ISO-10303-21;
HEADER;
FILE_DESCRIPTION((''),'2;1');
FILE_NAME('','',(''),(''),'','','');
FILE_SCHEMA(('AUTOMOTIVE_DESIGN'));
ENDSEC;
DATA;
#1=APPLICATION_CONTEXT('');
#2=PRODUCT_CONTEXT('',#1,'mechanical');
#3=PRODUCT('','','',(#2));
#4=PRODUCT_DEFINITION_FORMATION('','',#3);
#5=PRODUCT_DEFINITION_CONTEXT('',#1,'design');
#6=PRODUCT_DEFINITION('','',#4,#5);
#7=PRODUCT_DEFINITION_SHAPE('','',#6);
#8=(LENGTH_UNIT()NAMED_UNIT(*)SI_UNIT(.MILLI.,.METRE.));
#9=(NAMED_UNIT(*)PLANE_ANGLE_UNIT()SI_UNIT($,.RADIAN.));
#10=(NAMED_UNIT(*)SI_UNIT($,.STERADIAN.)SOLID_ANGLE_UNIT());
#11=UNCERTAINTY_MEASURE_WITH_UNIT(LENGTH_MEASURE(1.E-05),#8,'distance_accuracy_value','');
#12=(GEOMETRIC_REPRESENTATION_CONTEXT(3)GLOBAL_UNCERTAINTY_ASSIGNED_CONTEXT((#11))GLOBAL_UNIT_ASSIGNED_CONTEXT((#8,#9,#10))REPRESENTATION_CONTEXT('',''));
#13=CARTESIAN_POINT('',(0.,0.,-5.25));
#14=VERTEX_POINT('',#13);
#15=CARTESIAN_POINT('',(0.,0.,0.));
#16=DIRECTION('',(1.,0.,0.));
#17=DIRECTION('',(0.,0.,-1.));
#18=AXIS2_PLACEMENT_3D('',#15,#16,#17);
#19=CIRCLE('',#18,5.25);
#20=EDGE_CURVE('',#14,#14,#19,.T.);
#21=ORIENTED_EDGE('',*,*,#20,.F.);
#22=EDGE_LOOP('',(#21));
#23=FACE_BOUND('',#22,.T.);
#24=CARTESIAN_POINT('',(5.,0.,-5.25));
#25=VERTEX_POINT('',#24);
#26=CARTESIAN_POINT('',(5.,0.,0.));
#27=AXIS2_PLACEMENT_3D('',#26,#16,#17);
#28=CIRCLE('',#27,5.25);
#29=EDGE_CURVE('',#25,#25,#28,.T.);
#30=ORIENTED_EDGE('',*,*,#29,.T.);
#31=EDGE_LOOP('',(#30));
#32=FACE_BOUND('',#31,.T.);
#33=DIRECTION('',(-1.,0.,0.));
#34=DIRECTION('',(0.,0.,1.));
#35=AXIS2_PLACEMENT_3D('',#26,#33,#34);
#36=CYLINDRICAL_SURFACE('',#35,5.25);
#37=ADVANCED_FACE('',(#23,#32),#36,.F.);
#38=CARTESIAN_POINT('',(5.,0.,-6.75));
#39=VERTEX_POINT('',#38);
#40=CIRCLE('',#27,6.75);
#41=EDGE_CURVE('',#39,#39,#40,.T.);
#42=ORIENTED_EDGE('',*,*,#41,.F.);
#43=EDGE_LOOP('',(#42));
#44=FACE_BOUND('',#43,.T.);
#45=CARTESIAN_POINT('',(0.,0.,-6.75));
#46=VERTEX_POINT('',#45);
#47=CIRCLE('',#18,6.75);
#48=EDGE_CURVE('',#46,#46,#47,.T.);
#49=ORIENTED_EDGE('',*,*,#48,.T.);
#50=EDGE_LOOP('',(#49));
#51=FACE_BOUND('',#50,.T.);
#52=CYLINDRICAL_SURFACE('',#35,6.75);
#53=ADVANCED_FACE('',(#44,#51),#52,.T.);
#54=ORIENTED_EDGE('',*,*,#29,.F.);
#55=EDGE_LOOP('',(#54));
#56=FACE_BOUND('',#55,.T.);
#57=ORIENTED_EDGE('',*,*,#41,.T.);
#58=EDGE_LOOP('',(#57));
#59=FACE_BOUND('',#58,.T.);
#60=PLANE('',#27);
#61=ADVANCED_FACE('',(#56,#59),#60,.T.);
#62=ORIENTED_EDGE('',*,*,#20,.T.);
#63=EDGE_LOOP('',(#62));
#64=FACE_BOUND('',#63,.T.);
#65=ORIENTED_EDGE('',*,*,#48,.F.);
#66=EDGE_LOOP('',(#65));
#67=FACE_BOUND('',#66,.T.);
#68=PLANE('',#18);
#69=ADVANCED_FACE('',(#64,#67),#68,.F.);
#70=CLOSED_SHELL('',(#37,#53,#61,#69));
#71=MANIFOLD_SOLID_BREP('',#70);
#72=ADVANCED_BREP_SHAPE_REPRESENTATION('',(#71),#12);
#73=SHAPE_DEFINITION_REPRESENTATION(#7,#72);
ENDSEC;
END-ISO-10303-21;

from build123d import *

# Parameters (mm, degrees)
SKETCH_1_R      = 6.75
SKETCH_1_R_2    = 5.25
EXTRUDE_1_DEPTH = 5


with BuildPart() as part:
    # Эскиз1 → Бобышка-Вытянуть1 (new body)
    with BuildSketch(Plane(origin=(0, 0, 0), x_dir=(0, 0, -1), z_dir=(1, 0, 0))):
        Circle(SKETCH_1_R)
        Circle(SKETCH_1_R_2, mode=Mode.SUBTRACT)
    extrude(amount=EXTRUDE_1_DEPTH)


solid = part.part
